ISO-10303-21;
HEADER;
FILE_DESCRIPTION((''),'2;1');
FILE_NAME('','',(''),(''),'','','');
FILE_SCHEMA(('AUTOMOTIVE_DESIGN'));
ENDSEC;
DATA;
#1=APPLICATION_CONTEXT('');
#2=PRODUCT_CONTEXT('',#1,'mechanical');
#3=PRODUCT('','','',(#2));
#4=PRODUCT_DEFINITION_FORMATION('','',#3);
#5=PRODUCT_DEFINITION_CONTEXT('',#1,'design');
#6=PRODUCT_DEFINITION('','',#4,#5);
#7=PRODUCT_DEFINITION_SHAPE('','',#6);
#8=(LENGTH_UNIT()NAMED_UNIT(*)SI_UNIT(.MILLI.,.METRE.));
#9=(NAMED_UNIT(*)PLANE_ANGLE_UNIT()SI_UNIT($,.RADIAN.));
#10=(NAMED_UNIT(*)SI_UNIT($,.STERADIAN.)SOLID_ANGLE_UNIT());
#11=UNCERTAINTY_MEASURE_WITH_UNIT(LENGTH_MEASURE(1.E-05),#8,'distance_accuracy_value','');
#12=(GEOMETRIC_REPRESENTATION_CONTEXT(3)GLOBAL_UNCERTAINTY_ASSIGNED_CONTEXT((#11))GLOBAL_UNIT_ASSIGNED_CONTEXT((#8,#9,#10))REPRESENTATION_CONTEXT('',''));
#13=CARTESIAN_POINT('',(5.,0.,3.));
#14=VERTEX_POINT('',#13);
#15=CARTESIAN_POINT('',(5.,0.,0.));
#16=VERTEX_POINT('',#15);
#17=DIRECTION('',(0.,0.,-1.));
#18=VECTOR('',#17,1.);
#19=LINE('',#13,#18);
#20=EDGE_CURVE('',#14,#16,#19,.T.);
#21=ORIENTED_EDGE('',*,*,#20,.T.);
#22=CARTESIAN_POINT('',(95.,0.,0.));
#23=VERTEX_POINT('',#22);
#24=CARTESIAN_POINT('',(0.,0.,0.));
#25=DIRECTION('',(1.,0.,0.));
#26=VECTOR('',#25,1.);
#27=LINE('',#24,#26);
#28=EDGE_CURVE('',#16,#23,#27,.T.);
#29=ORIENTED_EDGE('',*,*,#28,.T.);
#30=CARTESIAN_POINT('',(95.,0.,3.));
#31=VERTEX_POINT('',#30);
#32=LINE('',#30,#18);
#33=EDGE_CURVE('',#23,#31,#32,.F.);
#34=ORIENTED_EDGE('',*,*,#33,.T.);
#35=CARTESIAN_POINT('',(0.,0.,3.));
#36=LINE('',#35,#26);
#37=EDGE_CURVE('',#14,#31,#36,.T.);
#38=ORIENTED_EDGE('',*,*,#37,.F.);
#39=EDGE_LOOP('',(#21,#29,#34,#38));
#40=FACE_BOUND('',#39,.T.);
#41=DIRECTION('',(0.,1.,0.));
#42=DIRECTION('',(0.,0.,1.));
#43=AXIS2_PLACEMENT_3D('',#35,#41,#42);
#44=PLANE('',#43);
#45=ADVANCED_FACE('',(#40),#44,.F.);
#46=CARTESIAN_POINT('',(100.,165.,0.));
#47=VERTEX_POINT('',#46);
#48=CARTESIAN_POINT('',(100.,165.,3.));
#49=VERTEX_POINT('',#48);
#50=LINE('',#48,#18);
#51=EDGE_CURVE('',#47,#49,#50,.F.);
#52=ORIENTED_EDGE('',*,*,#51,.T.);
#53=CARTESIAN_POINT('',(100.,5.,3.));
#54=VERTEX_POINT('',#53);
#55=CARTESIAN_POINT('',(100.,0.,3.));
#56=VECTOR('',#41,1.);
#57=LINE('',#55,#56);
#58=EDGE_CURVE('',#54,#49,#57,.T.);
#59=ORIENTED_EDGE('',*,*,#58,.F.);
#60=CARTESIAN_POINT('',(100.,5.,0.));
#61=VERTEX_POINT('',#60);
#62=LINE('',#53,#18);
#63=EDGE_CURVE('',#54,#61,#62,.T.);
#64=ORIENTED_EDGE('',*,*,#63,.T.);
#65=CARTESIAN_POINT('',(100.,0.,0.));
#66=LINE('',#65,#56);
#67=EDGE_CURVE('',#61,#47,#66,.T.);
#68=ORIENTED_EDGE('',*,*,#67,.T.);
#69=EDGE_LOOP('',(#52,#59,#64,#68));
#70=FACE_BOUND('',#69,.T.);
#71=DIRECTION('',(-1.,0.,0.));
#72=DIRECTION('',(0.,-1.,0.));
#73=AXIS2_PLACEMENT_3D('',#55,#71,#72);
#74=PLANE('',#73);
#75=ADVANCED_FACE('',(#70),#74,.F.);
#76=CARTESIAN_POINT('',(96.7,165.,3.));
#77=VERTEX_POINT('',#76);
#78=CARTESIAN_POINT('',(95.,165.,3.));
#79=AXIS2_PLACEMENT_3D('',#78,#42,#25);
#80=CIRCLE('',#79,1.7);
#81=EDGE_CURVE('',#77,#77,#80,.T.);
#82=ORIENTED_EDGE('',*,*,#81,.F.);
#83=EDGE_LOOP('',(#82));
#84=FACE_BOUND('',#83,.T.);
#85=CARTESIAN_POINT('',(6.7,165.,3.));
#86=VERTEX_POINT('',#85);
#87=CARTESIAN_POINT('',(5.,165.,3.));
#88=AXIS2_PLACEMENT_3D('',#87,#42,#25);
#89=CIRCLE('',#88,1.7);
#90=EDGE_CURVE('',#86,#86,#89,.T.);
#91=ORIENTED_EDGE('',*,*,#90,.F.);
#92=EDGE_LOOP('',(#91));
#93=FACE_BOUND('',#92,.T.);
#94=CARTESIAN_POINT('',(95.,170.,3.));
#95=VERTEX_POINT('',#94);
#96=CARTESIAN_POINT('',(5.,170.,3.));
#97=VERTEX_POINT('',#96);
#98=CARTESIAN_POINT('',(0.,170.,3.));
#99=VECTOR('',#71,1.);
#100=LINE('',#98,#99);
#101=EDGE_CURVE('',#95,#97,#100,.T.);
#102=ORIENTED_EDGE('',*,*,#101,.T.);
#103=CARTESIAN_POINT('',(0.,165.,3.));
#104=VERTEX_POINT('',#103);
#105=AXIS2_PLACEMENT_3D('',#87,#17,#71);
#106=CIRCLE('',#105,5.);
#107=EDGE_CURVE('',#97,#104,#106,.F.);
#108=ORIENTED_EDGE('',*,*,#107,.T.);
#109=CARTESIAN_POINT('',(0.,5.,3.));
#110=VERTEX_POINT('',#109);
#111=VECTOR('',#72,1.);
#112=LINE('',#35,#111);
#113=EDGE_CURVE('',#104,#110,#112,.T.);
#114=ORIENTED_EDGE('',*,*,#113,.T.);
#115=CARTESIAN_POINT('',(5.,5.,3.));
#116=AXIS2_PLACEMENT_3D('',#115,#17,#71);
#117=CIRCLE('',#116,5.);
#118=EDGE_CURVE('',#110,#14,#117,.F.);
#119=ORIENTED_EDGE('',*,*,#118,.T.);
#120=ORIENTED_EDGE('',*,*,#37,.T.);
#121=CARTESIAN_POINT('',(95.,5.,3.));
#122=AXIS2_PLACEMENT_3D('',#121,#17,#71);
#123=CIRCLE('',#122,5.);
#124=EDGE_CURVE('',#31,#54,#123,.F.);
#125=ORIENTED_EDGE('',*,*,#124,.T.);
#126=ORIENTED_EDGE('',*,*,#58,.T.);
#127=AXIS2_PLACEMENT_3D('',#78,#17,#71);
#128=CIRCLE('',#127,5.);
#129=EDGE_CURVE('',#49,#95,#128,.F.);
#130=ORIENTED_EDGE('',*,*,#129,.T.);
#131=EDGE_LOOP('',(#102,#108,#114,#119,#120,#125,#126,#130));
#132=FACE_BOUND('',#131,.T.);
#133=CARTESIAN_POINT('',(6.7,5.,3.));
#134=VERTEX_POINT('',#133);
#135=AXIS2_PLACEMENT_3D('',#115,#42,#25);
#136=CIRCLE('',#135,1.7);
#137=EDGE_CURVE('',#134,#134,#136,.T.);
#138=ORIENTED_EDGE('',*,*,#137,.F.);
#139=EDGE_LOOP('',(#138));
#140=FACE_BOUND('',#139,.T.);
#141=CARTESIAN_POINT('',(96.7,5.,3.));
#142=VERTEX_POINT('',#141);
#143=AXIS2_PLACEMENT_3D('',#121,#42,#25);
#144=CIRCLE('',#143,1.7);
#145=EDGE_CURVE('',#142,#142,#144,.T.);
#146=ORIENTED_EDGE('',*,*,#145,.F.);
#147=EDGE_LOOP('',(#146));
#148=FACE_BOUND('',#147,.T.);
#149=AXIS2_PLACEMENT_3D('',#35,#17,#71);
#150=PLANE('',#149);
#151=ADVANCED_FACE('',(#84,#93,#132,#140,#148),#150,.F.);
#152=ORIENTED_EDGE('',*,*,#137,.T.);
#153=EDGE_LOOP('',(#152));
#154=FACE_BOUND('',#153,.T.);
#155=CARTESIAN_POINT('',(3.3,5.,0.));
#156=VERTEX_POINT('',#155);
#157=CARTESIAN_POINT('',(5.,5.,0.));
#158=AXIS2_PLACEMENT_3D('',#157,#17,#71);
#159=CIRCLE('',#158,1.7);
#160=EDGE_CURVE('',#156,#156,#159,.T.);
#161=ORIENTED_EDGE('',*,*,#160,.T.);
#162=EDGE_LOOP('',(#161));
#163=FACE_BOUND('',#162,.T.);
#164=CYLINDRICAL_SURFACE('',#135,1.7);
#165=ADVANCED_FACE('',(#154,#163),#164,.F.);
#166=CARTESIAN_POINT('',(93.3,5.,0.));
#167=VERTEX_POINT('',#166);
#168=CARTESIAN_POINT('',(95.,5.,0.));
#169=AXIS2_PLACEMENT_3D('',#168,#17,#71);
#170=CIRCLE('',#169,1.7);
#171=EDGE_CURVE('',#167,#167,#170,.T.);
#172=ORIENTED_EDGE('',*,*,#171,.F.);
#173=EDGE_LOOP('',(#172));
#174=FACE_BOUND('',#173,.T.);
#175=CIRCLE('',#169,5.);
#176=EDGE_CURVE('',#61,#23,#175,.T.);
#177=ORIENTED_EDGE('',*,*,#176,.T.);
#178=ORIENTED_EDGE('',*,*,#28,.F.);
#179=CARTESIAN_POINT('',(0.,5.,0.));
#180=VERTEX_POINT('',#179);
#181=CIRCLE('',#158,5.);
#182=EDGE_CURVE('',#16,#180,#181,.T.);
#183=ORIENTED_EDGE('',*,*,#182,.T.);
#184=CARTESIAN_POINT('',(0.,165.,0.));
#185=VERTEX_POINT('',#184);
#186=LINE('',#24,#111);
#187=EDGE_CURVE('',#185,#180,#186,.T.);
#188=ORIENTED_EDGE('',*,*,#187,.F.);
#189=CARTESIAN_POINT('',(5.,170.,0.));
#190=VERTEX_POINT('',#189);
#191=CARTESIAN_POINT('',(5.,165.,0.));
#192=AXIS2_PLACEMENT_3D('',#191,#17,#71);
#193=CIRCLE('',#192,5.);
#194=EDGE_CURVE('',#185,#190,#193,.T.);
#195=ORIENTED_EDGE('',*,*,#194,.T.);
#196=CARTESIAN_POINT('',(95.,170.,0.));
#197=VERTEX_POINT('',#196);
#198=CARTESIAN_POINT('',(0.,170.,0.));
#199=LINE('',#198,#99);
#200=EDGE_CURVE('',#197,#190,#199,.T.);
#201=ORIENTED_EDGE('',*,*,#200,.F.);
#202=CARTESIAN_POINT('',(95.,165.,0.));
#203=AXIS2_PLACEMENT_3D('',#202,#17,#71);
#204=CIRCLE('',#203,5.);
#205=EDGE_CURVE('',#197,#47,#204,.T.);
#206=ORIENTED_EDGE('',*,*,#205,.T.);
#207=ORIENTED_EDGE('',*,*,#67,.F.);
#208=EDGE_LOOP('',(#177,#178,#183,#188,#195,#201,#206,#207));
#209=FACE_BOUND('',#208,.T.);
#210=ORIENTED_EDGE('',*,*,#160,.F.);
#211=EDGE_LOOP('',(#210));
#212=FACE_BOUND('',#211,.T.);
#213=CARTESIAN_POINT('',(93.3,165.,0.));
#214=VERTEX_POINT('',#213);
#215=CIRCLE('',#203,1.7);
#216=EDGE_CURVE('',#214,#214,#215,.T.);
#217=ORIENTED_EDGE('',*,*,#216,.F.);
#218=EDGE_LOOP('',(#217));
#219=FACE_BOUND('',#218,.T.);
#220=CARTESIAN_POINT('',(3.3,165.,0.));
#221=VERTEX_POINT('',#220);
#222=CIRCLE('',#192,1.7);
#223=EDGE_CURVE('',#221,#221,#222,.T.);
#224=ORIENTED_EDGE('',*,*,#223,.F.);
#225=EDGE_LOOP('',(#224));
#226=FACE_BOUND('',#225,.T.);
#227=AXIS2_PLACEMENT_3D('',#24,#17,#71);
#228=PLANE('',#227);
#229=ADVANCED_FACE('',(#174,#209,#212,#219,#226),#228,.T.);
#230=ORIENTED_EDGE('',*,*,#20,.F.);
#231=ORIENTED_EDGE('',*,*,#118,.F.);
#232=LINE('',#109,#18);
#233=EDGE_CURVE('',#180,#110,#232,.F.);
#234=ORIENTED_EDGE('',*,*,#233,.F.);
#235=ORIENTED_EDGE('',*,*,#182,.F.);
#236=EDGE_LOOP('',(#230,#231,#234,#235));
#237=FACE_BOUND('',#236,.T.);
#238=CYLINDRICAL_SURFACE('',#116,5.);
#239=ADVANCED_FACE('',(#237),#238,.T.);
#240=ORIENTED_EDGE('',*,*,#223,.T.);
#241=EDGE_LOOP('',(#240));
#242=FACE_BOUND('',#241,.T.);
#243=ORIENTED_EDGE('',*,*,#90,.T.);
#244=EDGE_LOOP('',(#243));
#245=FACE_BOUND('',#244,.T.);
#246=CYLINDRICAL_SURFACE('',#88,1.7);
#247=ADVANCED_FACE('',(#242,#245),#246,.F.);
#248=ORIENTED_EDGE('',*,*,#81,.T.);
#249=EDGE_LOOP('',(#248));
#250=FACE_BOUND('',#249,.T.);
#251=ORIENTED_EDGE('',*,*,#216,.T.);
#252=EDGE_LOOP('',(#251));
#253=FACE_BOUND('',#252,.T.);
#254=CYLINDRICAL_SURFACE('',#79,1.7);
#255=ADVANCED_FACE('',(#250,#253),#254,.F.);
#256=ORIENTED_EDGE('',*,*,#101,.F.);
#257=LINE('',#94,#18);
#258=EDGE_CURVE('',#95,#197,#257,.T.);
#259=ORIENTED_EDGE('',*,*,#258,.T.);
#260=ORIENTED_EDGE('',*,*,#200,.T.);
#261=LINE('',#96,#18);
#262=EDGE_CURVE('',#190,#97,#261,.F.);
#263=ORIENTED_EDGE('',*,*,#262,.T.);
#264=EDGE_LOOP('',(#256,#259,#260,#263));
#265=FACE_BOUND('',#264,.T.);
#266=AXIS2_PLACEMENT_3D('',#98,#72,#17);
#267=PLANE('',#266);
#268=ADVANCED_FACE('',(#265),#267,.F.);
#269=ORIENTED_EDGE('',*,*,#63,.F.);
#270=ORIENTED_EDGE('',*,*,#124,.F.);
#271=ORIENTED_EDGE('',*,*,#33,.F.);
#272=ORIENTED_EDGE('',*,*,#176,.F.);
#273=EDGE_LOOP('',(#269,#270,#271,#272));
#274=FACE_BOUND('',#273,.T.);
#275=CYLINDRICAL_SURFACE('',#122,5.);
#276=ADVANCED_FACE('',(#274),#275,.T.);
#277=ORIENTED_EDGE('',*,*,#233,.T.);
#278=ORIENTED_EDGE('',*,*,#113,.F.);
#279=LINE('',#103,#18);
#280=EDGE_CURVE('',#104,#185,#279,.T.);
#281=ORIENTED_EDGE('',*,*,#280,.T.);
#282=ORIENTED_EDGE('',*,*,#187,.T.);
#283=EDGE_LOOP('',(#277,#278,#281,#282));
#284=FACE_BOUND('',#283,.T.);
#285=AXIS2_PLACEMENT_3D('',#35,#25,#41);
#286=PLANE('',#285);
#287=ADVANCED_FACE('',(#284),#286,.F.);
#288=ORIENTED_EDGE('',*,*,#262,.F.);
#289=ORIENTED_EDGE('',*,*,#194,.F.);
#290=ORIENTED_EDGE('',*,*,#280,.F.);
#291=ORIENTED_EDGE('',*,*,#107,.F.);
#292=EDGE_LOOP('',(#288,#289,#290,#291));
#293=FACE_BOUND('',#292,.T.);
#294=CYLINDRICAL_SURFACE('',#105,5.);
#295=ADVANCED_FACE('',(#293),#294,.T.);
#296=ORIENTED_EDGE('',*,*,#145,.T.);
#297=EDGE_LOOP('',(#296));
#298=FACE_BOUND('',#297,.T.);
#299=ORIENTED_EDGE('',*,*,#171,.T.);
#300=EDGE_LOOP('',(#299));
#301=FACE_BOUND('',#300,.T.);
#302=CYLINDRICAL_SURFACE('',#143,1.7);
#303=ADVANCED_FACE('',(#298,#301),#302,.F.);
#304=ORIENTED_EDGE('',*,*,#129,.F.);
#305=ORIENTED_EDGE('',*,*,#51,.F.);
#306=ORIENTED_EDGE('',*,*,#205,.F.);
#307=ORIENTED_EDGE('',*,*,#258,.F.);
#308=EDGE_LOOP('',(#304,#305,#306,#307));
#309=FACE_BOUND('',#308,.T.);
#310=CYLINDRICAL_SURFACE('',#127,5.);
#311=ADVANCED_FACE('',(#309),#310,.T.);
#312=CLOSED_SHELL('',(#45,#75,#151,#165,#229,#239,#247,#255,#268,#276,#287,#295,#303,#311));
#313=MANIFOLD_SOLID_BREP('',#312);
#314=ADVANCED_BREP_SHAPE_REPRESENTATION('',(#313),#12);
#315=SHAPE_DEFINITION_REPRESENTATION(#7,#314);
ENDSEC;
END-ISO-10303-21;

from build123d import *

# Parameters (mm, degrees)
SKETCH1_W                = 100
SKETCH1_H                = 170
BOSS_EXTRUDE1_DEPTH      = 3
M3_CLEARANCE_HOLE1_D     = 3.4
M3_CLEARANCE_HOLE1_DEPTH = 7.5
M3_CLEARANCE_HOLE1_TIP   = 1.021463052
FILLET1_R                = 5


with BuildPart() as part:
    # Sketch1 → Boss-Extrude1 (new body)
    with BuildSketch(Plane.XY):
        with Locations((50, 85)):
            Rectangle(SKETCH1_W, SKETCH1_H)
    extrude(amount=BOSS_EXTRUDE1_DEPTH)

    # M3 Clearance Hole1
    with Locations(Plane.XY.offset(3)):
        with Locations((5, 165), (95, 165), (95, 5), (5, 5)):
            Hole(M3_CLEARANCE_HOLE1_D / 2, depth=M3_CLEARANCE_HOLE1_DEPTH)
            with Locations((0, 0, -(M3_CLEARANCE_HOLE1_DEPTH + M3_CLEARANCE_HOLE1_TIP / 2))):  # 118° drill point
                Cone(0, M3_CLEARANCE_HOLE1_D / 2, M3_CLEARANCE_HOLE1_TIP, mode=Mode.SUBTRACT)

    # Fillet1
    fillet1_edges = [part.edges().sort_by_distance(p)[0] for p in [
        (0, 170, 1.5),
        (100, 170, 1.5),
        (100, 0, 1.5),
        (0, 0, 1.5),
    ]]
    fillet(fillet1_edges, radius=FILLET1_R)


solid = part.part
